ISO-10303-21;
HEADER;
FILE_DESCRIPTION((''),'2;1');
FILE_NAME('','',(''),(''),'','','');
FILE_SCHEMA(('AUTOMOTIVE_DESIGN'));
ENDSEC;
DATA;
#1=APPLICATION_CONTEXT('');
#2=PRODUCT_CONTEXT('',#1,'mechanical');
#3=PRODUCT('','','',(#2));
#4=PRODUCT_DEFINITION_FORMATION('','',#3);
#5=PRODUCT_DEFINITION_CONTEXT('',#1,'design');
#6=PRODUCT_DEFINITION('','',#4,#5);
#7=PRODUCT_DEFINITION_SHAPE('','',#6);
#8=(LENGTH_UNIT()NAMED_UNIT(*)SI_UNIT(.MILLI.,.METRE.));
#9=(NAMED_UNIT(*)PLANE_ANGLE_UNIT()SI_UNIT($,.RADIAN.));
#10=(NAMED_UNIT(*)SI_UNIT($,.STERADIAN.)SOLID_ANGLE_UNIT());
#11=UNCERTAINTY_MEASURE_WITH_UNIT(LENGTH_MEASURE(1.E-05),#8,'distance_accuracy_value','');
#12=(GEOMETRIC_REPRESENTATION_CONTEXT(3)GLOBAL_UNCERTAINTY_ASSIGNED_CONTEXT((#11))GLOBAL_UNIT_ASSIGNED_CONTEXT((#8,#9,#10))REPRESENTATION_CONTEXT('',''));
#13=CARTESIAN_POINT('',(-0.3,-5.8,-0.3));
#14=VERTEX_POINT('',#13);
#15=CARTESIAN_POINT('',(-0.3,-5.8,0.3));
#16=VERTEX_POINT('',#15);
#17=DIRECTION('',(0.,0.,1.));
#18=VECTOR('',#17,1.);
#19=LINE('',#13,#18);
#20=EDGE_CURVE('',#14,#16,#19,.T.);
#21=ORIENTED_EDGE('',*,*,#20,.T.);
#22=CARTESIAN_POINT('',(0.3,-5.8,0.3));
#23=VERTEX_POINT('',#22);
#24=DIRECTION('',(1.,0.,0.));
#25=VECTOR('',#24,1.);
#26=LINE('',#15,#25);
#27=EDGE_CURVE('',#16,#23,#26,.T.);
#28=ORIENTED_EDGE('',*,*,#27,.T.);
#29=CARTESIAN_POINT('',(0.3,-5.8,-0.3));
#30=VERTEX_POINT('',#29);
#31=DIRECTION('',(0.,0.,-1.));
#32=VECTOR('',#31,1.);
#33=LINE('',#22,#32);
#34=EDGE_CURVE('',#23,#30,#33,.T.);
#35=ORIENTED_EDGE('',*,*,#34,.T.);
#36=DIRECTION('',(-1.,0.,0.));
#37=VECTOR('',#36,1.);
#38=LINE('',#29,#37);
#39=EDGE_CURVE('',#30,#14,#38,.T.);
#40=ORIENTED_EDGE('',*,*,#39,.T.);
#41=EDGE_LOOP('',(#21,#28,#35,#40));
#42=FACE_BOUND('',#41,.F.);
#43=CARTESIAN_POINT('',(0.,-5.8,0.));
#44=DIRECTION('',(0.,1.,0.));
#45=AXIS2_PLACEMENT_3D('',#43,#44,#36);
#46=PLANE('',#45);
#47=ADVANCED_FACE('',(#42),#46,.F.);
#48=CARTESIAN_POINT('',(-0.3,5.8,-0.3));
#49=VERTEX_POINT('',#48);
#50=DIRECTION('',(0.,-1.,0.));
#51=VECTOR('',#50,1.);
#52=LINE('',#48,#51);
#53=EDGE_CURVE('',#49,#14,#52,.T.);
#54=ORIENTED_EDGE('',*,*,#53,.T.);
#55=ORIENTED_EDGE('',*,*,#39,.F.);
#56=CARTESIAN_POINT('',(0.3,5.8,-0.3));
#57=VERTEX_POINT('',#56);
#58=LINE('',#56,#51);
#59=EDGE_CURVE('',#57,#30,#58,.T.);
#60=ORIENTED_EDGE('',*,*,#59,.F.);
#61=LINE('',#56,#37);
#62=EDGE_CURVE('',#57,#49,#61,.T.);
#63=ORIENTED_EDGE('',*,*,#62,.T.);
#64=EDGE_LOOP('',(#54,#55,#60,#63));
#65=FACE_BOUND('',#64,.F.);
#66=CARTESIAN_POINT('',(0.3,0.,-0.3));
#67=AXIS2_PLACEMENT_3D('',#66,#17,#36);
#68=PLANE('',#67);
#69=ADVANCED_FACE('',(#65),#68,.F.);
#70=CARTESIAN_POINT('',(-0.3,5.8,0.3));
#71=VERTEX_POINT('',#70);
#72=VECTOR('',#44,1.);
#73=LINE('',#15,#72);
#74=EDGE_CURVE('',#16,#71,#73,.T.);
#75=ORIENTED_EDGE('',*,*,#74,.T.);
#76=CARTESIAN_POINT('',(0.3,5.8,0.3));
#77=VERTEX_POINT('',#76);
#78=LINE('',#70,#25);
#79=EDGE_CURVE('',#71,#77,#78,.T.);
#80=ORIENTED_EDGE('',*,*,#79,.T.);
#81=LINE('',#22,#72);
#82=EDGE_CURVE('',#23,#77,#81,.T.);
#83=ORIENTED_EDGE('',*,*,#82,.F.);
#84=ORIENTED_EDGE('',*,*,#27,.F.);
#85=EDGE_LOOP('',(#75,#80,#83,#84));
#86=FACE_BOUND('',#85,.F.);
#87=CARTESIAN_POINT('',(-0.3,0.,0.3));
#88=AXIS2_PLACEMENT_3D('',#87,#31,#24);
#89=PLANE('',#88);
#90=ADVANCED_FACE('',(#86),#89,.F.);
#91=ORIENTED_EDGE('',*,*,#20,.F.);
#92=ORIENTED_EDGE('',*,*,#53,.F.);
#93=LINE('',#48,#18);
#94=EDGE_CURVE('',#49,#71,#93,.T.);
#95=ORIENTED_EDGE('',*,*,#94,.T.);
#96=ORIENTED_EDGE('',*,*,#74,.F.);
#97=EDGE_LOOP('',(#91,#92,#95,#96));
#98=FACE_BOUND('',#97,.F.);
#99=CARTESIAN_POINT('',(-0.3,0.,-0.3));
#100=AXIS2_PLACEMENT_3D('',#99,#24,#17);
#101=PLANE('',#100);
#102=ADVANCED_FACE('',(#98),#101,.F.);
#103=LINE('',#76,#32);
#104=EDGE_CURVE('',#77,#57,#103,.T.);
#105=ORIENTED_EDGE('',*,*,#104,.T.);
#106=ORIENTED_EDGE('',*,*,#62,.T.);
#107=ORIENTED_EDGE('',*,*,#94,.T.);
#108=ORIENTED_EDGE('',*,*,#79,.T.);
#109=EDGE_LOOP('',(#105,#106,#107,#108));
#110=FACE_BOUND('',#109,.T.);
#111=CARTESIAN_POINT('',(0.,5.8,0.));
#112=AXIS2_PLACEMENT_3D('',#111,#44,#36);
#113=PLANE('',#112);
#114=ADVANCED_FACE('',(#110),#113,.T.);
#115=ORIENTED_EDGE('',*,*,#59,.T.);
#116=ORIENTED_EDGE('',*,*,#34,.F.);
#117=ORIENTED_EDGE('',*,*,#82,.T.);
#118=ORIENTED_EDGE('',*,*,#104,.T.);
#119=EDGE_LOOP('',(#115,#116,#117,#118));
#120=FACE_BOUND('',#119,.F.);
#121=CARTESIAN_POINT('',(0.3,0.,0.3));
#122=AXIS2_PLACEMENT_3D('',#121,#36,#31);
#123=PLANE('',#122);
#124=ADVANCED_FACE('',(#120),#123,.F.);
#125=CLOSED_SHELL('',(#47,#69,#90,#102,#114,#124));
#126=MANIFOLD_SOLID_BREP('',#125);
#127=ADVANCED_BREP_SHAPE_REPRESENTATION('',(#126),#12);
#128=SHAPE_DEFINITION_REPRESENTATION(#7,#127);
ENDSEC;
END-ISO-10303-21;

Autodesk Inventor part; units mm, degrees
ref_plane "YZ Plane" through (0, 0, 0) normal (1, 0, 0) x (0, 1, 0)
ref_plane "XZ Plane" through (0, 0, 0) normal (0, 1, 0) x (-1, 0, 0)
ref_plane "XY Plane" through (0, 0, 0) normal (0, 0, 1) x (1, 0, 0)
sketch "Sketch1" plane through (0, 0, 0) normal (0, 1, 0) x (-1, 0, 0)
  line L0 (0.3, 0.3) -> (-0.3, 0.3)
  line L1 (-0.3, 0.3) -> (-0.3, -0.3)
  line L2 (-0.3, -0.3) -> (0.3, -0.3)
  line L3 (0.3, -0.3) -> (0.3, 0.3)
  line L4 (0.3, 0.3) -> (-0.3, -0.3) construction
  line L5 (-0.3, 0.3) -> (0.3, -0.3) construction
  point P0 (0, 0)
  dimension "d0" = 0.6
  dimension "d1" = 0.6
extrude "Extrusion1" add sketch "Sketch1" along normal mid plane 11.6
properties part number "Straight Header Pin" material "Brass, Soft Yellow"
